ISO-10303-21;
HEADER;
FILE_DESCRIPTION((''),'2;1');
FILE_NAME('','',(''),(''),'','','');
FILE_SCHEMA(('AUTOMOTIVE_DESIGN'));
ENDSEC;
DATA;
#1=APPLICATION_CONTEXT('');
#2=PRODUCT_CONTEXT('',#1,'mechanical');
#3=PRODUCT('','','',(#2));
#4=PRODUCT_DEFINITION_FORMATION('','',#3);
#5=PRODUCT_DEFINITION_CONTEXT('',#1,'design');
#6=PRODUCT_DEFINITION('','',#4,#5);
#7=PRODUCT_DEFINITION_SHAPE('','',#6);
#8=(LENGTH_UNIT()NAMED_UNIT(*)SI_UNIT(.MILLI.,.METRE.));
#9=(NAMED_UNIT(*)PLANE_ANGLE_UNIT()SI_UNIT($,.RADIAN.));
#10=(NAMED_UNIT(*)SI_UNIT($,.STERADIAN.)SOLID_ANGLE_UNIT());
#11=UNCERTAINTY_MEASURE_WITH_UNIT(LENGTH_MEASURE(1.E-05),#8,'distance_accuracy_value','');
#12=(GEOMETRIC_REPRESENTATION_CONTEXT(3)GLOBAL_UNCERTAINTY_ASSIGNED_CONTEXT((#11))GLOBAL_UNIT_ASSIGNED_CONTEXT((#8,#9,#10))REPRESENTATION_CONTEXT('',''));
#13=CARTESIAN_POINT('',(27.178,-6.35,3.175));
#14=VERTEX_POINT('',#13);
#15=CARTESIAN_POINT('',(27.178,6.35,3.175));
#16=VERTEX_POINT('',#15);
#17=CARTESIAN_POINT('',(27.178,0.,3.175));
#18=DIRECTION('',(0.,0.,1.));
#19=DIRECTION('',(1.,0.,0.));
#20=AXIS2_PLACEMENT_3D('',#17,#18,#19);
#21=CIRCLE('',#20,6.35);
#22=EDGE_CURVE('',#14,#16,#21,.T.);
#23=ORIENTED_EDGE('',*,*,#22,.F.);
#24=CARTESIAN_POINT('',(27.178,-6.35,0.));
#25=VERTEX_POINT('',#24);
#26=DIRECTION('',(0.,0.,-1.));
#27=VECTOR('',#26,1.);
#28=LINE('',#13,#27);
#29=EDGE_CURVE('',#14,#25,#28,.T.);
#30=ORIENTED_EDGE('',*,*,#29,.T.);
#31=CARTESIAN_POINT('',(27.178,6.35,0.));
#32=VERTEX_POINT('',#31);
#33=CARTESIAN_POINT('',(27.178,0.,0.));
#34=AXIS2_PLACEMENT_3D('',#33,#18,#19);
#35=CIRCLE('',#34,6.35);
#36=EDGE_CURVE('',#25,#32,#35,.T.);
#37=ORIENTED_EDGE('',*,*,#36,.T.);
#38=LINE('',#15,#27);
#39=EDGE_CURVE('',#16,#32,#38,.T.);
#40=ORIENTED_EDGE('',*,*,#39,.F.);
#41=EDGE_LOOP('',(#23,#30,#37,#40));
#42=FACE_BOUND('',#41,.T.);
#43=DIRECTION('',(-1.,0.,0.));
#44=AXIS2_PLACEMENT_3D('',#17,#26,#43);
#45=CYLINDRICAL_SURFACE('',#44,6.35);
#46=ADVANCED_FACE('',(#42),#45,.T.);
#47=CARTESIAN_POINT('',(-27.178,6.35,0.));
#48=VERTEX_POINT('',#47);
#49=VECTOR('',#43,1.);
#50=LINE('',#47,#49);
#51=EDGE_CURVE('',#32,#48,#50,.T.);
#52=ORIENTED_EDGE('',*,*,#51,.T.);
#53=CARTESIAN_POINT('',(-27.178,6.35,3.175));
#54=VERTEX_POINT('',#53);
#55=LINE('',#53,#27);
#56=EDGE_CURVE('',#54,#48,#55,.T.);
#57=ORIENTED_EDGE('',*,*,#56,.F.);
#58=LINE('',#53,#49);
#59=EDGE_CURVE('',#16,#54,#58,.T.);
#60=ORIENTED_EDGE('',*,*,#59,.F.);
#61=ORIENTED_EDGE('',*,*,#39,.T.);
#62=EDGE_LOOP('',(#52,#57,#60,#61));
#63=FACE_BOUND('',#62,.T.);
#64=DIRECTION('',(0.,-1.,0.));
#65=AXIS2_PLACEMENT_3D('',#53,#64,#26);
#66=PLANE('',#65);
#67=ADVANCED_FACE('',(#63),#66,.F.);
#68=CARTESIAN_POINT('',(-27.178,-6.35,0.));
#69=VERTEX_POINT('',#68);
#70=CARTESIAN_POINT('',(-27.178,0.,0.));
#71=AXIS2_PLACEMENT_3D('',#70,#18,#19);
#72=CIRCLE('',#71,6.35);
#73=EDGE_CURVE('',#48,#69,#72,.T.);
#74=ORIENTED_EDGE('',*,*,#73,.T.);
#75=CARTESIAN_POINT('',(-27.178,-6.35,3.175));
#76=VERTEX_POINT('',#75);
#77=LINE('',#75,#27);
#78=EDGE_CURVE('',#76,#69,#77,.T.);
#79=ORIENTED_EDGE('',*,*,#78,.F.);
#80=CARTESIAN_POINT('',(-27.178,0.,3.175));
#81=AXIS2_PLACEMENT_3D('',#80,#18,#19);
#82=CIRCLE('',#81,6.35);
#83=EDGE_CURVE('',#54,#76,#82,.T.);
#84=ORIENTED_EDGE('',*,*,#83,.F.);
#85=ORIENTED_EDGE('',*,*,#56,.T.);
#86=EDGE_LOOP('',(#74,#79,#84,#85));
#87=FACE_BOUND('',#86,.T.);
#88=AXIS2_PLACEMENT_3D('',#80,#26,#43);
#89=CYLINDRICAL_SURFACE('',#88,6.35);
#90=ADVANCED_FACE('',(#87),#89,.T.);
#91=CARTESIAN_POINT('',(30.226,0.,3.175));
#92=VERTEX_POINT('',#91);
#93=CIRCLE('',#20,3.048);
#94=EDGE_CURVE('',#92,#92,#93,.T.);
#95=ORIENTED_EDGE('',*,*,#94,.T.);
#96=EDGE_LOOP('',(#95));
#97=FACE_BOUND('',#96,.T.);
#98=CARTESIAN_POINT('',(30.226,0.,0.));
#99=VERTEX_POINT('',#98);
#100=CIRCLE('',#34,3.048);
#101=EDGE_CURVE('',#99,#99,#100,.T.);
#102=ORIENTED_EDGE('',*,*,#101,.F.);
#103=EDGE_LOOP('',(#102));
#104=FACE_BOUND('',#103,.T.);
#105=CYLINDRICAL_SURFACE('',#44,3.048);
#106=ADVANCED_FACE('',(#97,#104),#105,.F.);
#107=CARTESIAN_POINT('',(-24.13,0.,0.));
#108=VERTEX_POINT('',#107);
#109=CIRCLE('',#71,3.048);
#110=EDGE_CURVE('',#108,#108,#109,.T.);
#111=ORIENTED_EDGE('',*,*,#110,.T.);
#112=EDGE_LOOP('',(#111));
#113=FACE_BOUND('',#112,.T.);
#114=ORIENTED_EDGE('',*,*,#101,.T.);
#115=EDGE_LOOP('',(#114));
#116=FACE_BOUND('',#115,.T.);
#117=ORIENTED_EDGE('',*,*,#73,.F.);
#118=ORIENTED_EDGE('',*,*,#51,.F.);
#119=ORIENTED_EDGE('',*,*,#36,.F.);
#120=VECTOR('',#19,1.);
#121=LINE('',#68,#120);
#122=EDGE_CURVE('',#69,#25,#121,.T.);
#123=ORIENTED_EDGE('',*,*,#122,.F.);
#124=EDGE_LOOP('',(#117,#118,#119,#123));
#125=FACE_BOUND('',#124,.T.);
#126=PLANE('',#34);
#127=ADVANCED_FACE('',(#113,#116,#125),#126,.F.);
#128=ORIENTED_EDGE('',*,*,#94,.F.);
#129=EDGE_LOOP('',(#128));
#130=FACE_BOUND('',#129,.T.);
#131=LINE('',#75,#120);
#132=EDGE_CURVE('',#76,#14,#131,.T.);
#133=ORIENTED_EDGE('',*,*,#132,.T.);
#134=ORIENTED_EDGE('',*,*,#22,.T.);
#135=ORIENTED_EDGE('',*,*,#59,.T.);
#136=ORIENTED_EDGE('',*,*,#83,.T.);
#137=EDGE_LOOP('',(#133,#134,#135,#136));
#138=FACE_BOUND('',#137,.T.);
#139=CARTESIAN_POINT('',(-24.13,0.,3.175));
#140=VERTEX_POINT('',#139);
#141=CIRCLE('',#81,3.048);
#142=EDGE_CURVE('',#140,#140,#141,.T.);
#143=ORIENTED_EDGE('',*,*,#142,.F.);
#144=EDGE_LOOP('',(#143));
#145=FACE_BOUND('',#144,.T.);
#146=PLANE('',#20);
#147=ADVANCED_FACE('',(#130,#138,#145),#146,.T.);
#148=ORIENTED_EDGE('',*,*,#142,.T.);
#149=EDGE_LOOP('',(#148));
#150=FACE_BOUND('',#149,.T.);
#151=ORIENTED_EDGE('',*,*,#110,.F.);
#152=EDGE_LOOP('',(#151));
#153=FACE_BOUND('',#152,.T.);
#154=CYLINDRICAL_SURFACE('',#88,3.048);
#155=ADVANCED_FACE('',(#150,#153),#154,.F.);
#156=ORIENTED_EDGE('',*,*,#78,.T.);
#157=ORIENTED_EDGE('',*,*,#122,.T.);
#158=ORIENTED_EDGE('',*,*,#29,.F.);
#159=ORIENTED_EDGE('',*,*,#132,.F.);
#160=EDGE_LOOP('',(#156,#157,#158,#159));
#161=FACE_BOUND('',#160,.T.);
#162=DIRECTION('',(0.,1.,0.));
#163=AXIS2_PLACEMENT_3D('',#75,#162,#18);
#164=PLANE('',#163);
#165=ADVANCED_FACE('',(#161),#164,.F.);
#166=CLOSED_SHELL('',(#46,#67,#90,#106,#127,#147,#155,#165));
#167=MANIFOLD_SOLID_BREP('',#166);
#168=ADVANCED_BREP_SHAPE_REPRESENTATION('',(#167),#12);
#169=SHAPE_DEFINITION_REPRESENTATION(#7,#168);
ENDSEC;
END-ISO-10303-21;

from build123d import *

# Parameters (mm, degrees)
SKETCH1_R           = 3.048
BOSS_EXTRUDE1_DEPTH = 3.175


with BuildPart() as part:
    # Sketch1 → Boss-Extrude1 (new body)
    with BuildSketch(Plane.XY):
        with BuildLine():
            Line((-27.178, -6.35), (27.178, -6.35))
            ThreePointArc((27.178, -6.35), (33.528, 0), (27.178, 6.35))
            Line((27.178, 6.35), (-27.178, 6.35))
            ThreePointArc((-27.178, 6.35), (-33.528, 0), (-27.178, -6.35))
        make_face()
        with Locations((27.178, 0)):
            Circle(SKETCH1_R, mode=Mode.SUBTRACT)
        with Locations((-27.178, 0)):
            Circle(SKETCH1_R, mode=Mode.SUBTRACT)
    extrude(amount=BOSS_EXTRUDE1_DEPTH)


solid = part.part
